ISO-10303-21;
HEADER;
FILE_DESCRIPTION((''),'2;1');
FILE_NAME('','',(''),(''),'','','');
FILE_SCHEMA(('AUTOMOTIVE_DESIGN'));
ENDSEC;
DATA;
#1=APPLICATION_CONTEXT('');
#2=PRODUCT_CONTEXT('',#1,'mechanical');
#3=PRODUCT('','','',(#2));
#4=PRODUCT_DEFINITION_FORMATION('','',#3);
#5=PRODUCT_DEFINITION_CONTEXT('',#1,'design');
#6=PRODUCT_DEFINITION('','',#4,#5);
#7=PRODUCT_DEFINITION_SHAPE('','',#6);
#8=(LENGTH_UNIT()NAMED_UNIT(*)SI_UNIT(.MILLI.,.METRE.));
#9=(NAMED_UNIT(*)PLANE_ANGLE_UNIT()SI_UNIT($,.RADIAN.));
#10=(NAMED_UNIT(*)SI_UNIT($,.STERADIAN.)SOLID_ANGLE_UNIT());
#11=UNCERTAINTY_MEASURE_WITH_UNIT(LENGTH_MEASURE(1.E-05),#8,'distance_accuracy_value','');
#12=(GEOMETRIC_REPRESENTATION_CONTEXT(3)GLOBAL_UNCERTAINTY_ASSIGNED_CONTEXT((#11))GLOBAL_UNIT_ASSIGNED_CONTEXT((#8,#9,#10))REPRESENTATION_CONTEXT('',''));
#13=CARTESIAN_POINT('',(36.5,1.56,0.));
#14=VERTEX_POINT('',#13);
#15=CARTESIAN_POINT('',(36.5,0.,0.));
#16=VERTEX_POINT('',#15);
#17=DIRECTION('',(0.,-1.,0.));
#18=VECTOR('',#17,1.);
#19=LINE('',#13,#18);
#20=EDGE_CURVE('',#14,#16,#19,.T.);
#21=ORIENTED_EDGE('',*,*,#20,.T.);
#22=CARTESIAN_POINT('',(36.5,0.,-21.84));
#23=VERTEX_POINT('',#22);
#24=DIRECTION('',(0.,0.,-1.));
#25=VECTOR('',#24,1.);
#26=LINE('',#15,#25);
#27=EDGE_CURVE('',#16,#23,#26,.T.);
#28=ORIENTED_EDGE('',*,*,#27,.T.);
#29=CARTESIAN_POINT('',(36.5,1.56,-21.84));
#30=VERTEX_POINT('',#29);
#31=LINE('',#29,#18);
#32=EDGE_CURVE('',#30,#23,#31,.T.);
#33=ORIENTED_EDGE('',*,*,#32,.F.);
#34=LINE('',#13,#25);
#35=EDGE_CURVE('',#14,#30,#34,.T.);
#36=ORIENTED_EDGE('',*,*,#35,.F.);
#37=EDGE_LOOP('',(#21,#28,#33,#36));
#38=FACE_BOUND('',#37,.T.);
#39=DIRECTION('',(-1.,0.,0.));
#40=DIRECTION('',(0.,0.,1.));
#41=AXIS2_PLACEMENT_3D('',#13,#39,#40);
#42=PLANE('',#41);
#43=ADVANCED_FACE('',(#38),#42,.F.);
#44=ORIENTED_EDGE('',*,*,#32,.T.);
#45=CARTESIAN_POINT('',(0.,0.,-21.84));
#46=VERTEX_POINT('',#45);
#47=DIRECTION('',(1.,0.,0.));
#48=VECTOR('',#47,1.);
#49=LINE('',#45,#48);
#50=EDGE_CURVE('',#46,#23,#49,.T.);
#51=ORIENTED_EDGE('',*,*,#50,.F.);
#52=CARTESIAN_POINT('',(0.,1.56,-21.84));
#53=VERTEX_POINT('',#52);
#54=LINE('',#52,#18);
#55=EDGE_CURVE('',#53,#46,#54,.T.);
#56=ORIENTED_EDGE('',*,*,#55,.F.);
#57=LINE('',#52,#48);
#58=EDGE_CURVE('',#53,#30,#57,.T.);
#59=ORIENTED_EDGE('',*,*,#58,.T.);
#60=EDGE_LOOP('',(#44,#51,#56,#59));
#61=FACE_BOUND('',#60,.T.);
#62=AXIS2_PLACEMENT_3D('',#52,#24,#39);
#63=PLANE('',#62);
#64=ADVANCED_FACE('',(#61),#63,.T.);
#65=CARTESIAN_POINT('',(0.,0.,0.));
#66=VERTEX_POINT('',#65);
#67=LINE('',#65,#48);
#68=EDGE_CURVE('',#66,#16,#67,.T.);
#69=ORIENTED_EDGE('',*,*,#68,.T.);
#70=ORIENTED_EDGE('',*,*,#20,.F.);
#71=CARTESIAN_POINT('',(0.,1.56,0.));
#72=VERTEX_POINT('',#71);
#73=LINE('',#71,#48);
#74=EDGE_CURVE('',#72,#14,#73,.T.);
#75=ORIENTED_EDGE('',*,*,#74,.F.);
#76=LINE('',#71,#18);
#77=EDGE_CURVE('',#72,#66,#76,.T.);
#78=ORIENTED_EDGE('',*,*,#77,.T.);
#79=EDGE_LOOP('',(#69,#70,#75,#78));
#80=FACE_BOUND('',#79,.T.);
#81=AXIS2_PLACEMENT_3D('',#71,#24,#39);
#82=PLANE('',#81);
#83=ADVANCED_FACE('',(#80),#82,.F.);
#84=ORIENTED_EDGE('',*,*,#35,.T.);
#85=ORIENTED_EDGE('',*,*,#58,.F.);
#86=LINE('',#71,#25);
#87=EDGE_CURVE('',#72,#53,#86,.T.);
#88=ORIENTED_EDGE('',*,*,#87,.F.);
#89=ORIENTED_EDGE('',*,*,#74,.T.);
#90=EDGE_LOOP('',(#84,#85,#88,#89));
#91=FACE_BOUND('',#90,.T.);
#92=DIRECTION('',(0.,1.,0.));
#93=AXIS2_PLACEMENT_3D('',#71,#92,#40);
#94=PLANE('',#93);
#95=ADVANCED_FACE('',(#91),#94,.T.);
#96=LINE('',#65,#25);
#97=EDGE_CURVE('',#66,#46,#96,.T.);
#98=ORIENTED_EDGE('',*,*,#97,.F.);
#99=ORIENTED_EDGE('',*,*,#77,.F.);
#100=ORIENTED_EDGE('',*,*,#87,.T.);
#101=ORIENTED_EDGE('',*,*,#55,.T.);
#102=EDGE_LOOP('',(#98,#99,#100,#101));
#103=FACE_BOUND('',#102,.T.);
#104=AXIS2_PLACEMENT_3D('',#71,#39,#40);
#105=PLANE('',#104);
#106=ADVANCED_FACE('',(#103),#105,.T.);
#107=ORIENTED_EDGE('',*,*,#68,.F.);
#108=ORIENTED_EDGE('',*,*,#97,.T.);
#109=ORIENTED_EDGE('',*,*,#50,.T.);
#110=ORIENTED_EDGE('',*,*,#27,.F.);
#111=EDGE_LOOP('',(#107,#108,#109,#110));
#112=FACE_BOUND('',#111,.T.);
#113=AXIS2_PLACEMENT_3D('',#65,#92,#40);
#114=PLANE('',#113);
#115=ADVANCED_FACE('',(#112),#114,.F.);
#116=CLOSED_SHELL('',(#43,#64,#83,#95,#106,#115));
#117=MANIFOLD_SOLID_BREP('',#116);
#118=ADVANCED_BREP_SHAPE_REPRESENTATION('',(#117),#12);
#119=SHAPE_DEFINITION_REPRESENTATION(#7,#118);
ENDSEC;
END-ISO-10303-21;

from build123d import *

# Parameters (mm, degrees)
SKETCH1_W           = 36.5
SKETCH1_H           = 21.84
BOSS_EXTRUDE1_DEPTH = 1.56


with BuildPart() as part:
    # Sketch1 → Boss-Extrude1 (new body)
    with BuildSketch(Plane(origin=(0, 0, 0), x_dir=(1, 0, 0), z_dir=(0, 1, 0))):
        with Locations((18.25, 10.92)):
            Rectangle(SKETCH1_W, SKETCH1_H)
    extrude(amount=BOSS_EXTRUDE1_DEPTH)


solid = part.part
